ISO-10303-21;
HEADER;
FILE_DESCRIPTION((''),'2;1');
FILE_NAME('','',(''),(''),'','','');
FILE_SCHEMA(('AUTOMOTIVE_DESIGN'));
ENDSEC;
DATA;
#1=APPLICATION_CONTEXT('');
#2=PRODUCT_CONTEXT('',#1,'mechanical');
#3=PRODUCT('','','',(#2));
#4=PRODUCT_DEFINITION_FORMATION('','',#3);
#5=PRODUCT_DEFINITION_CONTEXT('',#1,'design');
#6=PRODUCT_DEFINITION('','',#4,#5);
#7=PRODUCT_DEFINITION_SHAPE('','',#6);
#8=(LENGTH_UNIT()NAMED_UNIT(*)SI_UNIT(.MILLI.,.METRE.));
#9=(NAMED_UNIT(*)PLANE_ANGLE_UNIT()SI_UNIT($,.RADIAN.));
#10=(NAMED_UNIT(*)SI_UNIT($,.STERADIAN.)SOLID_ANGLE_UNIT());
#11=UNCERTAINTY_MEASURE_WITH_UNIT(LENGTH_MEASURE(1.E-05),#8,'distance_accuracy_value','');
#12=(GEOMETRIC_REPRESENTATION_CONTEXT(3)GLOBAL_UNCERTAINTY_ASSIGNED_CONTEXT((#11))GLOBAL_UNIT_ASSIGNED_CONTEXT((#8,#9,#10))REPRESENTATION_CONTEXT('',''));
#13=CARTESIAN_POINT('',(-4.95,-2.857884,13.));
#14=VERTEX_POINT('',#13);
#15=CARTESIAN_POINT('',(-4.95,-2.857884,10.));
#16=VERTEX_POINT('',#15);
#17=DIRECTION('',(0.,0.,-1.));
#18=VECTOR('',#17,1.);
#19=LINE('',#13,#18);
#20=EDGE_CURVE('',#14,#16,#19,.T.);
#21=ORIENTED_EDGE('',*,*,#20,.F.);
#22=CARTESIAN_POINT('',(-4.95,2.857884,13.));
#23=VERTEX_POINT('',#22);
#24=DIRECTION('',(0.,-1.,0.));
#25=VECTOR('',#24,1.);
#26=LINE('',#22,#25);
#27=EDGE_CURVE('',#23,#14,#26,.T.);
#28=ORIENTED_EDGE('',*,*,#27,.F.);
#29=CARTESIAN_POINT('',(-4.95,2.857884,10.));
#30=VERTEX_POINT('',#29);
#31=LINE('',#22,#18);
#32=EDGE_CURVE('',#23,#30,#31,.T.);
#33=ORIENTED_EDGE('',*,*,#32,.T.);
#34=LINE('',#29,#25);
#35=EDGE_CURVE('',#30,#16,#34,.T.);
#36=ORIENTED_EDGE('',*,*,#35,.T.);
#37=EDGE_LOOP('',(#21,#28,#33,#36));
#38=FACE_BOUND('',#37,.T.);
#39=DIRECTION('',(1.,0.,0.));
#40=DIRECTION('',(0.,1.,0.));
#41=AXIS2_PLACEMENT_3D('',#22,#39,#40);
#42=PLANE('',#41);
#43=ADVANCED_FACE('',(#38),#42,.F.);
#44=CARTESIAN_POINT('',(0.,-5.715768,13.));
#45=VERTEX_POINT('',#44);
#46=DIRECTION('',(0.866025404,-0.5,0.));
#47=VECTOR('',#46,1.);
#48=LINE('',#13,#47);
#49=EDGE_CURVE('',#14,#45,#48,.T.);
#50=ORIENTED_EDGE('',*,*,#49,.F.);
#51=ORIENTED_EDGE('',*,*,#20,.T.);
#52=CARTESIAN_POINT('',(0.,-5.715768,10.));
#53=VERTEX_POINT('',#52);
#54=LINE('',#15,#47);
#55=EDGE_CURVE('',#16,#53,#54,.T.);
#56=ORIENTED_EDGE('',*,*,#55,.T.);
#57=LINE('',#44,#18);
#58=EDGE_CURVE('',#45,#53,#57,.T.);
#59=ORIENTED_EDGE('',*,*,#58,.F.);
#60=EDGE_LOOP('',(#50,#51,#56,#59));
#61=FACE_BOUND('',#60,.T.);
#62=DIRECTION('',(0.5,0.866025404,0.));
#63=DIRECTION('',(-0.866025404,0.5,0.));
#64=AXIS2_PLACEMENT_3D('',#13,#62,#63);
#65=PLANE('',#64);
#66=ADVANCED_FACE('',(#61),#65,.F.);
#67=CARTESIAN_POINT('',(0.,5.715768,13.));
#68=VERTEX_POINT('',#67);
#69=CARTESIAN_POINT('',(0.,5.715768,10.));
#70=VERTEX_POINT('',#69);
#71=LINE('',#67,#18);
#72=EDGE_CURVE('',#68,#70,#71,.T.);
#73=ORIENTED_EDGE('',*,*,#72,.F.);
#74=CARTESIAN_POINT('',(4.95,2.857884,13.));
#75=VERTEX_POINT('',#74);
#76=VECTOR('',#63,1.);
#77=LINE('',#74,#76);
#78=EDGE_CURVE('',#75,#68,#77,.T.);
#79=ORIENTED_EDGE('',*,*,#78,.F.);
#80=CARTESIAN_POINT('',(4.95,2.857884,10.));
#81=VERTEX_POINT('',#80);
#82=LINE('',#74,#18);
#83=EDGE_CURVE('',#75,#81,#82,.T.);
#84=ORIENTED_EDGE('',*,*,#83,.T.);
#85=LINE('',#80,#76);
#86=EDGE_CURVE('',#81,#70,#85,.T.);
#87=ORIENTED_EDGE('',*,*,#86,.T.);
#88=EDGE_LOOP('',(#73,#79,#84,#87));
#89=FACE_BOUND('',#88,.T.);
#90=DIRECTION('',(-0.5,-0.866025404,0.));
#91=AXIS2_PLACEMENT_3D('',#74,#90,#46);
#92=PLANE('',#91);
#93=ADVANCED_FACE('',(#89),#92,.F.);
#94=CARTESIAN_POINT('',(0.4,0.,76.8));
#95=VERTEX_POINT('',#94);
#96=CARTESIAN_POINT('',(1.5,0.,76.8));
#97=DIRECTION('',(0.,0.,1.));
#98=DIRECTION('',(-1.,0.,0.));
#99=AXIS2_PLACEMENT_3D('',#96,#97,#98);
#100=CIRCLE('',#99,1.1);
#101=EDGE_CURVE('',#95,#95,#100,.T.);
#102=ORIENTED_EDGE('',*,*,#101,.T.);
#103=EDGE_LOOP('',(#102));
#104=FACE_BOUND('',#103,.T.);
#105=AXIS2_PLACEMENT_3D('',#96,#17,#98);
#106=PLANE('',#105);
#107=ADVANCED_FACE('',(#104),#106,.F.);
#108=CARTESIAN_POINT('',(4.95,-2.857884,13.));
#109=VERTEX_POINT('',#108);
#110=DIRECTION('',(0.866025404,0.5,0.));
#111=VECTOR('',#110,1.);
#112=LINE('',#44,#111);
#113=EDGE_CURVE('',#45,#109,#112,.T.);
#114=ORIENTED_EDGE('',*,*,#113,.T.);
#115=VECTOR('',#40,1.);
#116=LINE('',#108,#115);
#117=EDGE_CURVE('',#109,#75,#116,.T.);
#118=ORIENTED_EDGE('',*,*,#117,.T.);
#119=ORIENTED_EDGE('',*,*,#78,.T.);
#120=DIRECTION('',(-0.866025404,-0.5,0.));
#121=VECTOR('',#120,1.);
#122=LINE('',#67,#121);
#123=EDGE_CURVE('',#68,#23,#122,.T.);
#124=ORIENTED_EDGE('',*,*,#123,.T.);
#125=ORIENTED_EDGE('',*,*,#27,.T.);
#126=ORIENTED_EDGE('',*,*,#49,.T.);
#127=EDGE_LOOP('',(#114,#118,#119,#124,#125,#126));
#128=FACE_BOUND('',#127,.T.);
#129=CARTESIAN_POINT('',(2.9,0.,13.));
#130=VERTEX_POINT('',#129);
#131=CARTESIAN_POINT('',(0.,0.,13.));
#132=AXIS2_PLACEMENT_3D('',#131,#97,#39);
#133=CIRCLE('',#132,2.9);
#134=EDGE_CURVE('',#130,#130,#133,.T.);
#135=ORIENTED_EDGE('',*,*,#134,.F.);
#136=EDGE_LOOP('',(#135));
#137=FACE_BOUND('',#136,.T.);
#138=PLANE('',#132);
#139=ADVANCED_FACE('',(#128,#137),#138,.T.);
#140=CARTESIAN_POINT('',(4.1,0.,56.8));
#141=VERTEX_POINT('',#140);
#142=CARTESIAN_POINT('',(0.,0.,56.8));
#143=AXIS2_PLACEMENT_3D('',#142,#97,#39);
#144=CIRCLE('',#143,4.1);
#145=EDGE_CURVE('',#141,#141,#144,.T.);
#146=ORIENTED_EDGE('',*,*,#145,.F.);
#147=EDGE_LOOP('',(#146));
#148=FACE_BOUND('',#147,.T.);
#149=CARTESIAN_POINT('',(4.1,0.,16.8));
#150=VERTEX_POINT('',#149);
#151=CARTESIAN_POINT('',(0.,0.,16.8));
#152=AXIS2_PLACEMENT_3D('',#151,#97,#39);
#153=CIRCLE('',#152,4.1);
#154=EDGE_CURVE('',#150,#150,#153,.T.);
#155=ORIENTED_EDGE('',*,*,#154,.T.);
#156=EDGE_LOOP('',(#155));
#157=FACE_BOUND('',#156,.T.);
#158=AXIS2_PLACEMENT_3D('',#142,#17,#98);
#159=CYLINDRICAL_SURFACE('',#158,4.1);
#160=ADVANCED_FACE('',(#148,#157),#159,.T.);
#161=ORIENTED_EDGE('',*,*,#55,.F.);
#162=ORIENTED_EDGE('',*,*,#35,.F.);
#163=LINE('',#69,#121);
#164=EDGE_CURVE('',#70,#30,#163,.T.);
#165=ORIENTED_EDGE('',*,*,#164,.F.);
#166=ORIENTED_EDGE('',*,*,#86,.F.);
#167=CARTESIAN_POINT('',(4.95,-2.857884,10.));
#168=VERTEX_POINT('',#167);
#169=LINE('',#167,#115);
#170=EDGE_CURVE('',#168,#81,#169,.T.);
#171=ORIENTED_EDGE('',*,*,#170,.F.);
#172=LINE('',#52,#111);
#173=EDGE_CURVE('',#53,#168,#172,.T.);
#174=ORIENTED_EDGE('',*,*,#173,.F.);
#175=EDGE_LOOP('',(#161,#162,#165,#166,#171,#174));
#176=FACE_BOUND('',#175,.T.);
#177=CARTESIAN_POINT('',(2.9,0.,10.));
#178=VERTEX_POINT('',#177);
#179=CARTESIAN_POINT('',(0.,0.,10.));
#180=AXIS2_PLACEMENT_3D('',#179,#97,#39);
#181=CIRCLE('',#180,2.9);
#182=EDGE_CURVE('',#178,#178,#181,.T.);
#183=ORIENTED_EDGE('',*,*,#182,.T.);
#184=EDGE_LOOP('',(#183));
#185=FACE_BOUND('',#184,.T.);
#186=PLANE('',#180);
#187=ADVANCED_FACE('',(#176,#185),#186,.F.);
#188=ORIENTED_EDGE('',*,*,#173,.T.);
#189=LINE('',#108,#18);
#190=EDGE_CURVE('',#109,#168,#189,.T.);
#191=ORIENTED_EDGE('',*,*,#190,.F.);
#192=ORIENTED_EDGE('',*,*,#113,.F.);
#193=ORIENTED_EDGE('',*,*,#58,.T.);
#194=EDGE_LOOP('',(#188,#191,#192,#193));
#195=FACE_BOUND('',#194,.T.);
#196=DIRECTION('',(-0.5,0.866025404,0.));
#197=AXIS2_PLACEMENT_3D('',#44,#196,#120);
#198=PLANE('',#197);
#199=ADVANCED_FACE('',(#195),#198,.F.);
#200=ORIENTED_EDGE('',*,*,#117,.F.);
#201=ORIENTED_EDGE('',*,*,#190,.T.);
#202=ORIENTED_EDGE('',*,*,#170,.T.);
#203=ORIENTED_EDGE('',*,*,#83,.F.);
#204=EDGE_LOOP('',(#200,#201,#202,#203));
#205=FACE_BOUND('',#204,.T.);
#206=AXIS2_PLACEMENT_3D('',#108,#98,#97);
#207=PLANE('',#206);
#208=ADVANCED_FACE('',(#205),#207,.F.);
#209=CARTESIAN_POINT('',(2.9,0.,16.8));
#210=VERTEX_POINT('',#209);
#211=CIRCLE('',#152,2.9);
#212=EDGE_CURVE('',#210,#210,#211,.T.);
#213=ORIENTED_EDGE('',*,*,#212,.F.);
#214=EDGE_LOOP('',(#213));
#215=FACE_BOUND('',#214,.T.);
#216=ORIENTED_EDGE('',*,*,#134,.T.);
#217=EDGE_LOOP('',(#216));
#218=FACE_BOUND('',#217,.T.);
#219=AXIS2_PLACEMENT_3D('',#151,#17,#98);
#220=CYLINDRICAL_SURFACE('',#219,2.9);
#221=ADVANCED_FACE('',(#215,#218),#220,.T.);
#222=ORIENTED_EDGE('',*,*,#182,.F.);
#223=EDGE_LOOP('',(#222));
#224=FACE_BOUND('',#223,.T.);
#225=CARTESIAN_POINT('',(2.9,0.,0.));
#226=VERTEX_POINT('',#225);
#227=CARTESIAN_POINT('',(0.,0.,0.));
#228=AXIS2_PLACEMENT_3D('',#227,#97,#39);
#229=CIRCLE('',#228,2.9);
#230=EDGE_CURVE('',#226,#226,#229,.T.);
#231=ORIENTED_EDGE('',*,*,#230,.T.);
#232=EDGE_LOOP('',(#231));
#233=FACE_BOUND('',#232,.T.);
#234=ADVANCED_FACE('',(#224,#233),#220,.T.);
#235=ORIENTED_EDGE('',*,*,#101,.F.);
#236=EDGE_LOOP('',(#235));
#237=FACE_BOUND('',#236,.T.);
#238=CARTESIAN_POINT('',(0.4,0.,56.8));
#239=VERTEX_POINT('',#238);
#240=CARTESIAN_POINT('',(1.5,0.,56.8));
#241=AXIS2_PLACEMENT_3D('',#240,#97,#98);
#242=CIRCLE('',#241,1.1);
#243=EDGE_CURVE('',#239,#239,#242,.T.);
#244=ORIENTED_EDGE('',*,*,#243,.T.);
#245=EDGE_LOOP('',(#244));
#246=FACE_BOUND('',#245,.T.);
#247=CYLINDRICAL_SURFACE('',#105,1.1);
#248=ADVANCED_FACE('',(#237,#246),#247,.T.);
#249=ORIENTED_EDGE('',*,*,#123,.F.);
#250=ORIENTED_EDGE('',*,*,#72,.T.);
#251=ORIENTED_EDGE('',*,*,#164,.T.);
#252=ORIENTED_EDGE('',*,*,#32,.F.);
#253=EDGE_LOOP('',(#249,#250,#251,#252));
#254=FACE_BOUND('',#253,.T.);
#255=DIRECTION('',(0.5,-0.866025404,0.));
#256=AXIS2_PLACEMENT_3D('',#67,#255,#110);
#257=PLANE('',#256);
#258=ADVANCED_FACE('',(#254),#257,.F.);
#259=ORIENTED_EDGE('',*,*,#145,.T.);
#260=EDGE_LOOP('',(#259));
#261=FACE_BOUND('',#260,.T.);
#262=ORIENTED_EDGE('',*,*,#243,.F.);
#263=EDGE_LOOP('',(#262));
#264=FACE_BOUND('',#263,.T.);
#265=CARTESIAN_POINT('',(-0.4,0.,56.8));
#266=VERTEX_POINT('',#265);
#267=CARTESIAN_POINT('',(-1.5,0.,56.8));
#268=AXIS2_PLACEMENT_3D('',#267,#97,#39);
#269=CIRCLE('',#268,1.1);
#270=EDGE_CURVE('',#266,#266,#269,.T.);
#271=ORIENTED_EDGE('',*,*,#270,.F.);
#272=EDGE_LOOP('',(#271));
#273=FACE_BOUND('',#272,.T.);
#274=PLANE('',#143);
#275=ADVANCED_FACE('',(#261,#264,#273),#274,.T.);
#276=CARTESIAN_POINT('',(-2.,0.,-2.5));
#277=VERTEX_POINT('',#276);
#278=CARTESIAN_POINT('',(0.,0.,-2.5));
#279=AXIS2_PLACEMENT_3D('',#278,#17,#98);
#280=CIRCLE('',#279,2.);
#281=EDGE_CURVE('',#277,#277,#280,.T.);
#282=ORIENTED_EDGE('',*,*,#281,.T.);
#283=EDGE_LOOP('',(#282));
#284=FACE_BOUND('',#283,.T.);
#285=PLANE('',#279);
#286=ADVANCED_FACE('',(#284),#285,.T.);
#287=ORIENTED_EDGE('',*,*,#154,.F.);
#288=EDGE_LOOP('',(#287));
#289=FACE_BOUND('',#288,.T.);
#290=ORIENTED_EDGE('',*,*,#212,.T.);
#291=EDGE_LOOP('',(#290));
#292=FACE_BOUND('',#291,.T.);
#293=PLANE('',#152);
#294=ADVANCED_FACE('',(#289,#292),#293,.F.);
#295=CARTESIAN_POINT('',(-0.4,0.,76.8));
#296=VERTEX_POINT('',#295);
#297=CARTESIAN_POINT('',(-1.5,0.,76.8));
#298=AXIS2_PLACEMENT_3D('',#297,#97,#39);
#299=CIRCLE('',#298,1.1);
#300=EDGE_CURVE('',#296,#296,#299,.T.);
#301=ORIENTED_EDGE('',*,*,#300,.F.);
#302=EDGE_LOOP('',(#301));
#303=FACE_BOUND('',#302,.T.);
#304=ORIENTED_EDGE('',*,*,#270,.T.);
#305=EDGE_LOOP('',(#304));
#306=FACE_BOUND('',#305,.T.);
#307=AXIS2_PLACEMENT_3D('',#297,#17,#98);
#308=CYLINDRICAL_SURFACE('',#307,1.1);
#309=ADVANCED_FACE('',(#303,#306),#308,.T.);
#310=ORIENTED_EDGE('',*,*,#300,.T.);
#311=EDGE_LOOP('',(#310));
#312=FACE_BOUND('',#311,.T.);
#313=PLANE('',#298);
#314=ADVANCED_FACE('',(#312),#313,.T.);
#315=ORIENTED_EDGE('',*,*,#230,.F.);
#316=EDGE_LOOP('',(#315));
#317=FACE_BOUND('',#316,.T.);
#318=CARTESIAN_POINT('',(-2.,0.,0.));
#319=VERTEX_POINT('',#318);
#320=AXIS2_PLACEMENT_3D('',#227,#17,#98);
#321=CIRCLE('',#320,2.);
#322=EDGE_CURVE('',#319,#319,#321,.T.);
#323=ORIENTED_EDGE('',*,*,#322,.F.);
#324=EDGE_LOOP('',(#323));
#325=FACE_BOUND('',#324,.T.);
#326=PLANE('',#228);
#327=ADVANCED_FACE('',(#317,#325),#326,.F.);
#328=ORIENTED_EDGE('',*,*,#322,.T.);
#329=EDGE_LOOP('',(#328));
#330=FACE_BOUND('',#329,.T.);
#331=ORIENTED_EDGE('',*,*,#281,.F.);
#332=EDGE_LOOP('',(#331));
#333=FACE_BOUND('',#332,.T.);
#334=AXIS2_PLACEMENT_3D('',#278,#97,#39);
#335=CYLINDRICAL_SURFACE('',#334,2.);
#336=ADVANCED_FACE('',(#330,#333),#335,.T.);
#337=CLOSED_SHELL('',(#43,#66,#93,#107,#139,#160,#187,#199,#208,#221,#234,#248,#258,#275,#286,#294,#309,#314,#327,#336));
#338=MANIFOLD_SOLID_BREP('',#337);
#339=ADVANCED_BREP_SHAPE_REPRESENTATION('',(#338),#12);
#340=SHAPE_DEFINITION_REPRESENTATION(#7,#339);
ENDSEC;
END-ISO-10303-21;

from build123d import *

# Parameters (mm, degrees)
ESQUISSE1_R        = 2.9
BOSS_EXTRU_1_DEPTH = 16.8
ESQUISSE2_R        = 2
BOSS_EXTRU_2_DEPTH = 2.5
ESQUISSE3_R        = 4.1
BOSS_EXTRU_3_DEPTH = 40
ESQUISSE4_R        = 1.1
BOSS_EXTRU_4_DEPTH = 20
BOSS_EXTRU_5_START = 10
BOSS_EXTRU_5_DEPTH = 3


with BuildPart() as part:
    # Esquisse1 → Boss.-Extru.1 (new body)
    with BuildSketch(Plane.XY):
        Circle(ESQUISSE1_R)
    extrude(amount=BOSS_EXTRU_1_DEPTH)

    # Esquisse2 → Boss.-Extru.2 (add)
    with BuildSketch(Plane(origin=(0, 0, 0), x_dir=(-1, 0, 0), z_dir=(0, 0, -1))):
        Circle(ESQUISSE2_R)
    extrude(amount=BOSS_EXTRU_2_DEPTH)

    # Esquisse3 → Boss.-Extru.3 (add)
    with BuildSketch(Plane.XY.offset(16.8)):
        Circle(ESQUISSE3_R)
    extrude(amount=BOSS_EXTRU_3_DEPTH)

    # Esquisse4 → Boss.-Extru.4 (add)
    with BuildSketch(Plane.XY.offset(56.8)):
        with Locations((-1.5, 0)):
            Circle(ESQUISSE4_R)
        with Locations(Location((1.5, 0, 0), (0, 0, 180))):
            Circle(ESQUISSE4_R)
    extrude(amount=BOSS_EXTRU_4_DEPTH)

    # Esquisse5 → Boss.-Extru.5 (add)
    with BuildSketch(Plane.XY.offset(BOSS_EXTRU_5_START)):
        Polygon((0, -5.715767665), (4.95, -2.857883832), (4.95, 2.857883832), (0, 5.715767665), (-4.95, 2.857883832), (-4.95, -2.857883832), align=None)
    extrude(amount=BOSS_EXTRU_5_DEPTH)


solid = part.part
